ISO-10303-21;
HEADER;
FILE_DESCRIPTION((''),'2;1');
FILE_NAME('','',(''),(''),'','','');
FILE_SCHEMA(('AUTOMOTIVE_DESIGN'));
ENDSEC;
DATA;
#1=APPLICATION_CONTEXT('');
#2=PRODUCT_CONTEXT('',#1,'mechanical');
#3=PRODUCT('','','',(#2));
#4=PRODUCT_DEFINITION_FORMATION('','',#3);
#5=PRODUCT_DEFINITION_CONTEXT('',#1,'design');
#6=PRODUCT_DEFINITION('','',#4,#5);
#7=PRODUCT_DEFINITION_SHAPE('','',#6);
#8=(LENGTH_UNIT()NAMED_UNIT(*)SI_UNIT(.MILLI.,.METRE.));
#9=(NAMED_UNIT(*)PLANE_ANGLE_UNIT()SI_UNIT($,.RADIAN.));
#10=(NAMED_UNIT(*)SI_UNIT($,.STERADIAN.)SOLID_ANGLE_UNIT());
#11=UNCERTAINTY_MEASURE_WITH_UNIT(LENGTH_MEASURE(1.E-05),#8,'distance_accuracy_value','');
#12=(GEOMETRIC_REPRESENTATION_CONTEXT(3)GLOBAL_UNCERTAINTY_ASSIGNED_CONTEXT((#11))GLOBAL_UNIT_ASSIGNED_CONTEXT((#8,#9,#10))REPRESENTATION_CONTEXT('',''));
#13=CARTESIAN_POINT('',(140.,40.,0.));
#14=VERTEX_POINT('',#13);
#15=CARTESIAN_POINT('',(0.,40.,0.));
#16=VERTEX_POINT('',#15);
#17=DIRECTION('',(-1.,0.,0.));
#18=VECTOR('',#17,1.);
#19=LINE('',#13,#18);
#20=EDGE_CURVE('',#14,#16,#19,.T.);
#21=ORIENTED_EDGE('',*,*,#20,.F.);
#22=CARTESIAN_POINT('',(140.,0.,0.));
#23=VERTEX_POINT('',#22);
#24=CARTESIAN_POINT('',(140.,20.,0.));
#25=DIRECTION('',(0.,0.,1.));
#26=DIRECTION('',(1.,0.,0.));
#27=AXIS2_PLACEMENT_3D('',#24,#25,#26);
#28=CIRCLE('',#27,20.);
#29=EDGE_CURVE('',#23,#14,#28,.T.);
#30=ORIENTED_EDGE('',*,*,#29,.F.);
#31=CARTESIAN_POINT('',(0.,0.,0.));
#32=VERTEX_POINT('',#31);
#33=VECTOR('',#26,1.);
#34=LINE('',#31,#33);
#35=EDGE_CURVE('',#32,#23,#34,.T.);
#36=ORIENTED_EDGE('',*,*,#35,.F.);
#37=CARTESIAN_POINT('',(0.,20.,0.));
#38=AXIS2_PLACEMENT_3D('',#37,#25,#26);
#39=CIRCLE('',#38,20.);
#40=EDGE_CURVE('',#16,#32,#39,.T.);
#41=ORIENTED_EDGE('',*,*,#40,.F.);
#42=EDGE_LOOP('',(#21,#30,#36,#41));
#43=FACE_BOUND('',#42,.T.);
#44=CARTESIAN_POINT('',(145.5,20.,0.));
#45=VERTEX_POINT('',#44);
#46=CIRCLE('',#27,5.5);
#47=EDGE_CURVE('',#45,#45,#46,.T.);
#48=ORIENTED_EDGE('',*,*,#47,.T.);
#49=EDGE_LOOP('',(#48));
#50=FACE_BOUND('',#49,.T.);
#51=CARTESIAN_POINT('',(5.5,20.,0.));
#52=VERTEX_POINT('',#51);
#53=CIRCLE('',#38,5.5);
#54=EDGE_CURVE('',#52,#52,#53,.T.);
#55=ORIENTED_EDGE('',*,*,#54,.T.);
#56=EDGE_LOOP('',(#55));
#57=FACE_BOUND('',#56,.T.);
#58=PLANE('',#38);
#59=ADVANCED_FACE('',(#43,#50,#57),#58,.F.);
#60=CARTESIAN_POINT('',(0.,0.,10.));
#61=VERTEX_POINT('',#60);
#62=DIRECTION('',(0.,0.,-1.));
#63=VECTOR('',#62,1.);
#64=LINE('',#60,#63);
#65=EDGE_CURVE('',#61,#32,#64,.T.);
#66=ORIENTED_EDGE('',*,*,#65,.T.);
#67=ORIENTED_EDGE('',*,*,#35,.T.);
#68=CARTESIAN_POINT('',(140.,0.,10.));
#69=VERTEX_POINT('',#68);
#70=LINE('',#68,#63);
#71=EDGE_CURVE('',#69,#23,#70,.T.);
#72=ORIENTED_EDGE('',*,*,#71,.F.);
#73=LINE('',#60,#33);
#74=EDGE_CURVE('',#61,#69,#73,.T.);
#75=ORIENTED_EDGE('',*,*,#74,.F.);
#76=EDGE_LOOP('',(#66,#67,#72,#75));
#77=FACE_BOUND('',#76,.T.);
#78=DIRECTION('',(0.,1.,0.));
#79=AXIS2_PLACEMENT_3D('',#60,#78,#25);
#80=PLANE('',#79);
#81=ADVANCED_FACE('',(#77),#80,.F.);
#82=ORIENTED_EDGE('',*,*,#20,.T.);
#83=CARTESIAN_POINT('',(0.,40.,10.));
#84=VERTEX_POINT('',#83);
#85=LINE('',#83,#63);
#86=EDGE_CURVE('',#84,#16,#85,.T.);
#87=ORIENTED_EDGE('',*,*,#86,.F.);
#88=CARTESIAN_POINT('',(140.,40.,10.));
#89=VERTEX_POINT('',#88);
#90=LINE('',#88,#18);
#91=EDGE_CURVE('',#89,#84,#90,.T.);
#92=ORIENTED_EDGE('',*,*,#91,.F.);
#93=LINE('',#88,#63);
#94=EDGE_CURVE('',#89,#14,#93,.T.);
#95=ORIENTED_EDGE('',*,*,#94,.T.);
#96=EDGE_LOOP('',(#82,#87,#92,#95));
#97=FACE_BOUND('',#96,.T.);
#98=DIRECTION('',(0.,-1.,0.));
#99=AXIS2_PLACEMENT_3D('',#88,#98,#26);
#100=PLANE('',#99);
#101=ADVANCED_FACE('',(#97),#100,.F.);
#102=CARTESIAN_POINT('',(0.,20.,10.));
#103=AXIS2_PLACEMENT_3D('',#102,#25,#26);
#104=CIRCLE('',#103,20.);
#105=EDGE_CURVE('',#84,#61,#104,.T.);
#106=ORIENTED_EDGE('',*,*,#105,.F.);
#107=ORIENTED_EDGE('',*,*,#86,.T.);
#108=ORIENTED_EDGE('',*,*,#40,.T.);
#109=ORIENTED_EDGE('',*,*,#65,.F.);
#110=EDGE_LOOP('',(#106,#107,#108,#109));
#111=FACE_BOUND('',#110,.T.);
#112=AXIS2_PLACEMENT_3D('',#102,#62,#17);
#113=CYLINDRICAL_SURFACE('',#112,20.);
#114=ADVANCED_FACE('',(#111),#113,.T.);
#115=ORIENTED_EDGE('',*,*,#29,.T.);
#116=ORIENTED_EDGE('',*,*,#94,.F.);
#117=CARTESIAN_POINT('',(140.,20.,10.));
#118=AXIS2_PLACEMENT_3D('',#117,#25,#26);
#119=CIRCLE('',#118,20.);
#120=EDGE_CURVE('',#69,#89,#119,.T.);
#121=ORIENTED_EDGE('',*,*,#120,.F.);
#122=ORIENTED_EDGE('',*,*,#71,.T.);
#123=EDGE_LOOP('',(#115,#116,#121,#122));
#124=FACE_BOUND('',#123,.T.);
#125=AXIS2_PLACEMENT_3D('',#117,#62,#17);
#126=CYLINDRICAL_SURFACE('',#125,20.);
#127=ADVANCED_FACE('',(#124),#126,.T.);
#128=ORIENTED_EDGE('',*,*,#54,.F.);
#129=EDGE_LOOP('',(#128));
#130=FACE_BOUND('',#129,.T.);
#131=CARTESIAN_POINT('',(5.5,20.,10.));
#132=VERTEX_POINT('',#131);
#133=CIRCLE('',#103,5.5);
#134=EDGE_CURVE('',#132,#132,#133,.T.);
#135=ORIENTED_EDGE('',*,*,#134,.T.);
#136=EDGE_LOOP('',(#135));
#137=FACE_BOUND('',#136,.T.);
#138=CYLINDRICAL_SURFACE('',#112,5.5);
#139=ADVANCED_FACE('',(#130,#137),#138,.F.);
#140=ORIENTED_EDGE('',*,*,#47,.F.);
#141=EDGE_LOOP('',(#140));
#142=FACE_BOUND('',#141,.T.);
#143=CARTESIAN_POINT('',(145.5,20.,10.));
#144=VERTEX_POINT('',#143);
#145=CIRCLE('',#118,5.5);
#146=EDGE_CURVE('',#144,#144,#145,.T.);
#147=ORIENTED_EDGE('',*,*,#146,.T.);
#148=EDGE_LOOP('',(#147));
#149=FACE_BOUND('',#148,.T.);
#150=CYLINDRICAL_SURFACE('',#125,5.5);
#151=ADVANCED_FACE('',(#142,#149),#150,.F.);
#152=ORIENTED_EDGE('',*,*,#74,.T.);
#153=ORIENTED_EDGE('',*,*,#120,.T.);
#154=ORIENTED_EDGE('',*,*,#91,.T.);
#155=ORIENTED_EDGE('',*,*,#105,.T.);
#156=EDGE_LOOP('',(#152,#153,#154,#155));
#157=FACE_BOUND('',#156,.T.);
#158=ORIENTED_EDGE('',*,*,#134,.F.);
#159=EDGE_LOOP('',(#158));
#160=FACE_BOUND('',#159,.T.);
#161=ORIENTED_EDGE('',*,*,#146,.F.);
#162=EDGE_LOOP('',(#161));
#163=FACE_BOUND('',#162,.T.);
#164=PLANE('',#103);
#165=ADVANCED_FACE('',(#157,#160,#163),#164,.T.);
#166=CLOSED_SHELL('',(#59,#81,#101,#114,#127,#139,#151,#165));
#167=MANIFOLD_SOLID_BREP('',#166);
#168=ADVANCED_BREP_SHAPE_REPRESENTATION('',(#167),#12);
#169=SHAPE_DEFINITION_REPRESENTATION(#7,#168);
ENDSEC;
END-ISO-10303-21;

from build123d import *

# Parameters (mm, degrees)
SKETCH1_R           = 5.5
BOSS_EXTRUDE1_DEPTH = 10


with BuildPart() as part:
    # Sketch1 → Boss-Extrude1 (new body)
    with BuildSketch(Plane.XY):
        with BuildLine():
            Line((0, 0), (140, 0))
            ThreePointArc((140, 0), (160, 20), (140, 40))
            Line((140, 40), (0, 40))
            ThreePointArc((0, 40), (-20, 20), (0, 0))
        make_face()
        with Locations((0, 20)):
            Circle(SKETCH1_R, mode=Mode.SUBTRACT)
        with Locations((140, 20)):
            Circle(SKETCH1_R, mode=Mode.SUBTRACT)
    extrude(amount=BOSS_EXTRUDE1_DEPTH)


solid = part.part
